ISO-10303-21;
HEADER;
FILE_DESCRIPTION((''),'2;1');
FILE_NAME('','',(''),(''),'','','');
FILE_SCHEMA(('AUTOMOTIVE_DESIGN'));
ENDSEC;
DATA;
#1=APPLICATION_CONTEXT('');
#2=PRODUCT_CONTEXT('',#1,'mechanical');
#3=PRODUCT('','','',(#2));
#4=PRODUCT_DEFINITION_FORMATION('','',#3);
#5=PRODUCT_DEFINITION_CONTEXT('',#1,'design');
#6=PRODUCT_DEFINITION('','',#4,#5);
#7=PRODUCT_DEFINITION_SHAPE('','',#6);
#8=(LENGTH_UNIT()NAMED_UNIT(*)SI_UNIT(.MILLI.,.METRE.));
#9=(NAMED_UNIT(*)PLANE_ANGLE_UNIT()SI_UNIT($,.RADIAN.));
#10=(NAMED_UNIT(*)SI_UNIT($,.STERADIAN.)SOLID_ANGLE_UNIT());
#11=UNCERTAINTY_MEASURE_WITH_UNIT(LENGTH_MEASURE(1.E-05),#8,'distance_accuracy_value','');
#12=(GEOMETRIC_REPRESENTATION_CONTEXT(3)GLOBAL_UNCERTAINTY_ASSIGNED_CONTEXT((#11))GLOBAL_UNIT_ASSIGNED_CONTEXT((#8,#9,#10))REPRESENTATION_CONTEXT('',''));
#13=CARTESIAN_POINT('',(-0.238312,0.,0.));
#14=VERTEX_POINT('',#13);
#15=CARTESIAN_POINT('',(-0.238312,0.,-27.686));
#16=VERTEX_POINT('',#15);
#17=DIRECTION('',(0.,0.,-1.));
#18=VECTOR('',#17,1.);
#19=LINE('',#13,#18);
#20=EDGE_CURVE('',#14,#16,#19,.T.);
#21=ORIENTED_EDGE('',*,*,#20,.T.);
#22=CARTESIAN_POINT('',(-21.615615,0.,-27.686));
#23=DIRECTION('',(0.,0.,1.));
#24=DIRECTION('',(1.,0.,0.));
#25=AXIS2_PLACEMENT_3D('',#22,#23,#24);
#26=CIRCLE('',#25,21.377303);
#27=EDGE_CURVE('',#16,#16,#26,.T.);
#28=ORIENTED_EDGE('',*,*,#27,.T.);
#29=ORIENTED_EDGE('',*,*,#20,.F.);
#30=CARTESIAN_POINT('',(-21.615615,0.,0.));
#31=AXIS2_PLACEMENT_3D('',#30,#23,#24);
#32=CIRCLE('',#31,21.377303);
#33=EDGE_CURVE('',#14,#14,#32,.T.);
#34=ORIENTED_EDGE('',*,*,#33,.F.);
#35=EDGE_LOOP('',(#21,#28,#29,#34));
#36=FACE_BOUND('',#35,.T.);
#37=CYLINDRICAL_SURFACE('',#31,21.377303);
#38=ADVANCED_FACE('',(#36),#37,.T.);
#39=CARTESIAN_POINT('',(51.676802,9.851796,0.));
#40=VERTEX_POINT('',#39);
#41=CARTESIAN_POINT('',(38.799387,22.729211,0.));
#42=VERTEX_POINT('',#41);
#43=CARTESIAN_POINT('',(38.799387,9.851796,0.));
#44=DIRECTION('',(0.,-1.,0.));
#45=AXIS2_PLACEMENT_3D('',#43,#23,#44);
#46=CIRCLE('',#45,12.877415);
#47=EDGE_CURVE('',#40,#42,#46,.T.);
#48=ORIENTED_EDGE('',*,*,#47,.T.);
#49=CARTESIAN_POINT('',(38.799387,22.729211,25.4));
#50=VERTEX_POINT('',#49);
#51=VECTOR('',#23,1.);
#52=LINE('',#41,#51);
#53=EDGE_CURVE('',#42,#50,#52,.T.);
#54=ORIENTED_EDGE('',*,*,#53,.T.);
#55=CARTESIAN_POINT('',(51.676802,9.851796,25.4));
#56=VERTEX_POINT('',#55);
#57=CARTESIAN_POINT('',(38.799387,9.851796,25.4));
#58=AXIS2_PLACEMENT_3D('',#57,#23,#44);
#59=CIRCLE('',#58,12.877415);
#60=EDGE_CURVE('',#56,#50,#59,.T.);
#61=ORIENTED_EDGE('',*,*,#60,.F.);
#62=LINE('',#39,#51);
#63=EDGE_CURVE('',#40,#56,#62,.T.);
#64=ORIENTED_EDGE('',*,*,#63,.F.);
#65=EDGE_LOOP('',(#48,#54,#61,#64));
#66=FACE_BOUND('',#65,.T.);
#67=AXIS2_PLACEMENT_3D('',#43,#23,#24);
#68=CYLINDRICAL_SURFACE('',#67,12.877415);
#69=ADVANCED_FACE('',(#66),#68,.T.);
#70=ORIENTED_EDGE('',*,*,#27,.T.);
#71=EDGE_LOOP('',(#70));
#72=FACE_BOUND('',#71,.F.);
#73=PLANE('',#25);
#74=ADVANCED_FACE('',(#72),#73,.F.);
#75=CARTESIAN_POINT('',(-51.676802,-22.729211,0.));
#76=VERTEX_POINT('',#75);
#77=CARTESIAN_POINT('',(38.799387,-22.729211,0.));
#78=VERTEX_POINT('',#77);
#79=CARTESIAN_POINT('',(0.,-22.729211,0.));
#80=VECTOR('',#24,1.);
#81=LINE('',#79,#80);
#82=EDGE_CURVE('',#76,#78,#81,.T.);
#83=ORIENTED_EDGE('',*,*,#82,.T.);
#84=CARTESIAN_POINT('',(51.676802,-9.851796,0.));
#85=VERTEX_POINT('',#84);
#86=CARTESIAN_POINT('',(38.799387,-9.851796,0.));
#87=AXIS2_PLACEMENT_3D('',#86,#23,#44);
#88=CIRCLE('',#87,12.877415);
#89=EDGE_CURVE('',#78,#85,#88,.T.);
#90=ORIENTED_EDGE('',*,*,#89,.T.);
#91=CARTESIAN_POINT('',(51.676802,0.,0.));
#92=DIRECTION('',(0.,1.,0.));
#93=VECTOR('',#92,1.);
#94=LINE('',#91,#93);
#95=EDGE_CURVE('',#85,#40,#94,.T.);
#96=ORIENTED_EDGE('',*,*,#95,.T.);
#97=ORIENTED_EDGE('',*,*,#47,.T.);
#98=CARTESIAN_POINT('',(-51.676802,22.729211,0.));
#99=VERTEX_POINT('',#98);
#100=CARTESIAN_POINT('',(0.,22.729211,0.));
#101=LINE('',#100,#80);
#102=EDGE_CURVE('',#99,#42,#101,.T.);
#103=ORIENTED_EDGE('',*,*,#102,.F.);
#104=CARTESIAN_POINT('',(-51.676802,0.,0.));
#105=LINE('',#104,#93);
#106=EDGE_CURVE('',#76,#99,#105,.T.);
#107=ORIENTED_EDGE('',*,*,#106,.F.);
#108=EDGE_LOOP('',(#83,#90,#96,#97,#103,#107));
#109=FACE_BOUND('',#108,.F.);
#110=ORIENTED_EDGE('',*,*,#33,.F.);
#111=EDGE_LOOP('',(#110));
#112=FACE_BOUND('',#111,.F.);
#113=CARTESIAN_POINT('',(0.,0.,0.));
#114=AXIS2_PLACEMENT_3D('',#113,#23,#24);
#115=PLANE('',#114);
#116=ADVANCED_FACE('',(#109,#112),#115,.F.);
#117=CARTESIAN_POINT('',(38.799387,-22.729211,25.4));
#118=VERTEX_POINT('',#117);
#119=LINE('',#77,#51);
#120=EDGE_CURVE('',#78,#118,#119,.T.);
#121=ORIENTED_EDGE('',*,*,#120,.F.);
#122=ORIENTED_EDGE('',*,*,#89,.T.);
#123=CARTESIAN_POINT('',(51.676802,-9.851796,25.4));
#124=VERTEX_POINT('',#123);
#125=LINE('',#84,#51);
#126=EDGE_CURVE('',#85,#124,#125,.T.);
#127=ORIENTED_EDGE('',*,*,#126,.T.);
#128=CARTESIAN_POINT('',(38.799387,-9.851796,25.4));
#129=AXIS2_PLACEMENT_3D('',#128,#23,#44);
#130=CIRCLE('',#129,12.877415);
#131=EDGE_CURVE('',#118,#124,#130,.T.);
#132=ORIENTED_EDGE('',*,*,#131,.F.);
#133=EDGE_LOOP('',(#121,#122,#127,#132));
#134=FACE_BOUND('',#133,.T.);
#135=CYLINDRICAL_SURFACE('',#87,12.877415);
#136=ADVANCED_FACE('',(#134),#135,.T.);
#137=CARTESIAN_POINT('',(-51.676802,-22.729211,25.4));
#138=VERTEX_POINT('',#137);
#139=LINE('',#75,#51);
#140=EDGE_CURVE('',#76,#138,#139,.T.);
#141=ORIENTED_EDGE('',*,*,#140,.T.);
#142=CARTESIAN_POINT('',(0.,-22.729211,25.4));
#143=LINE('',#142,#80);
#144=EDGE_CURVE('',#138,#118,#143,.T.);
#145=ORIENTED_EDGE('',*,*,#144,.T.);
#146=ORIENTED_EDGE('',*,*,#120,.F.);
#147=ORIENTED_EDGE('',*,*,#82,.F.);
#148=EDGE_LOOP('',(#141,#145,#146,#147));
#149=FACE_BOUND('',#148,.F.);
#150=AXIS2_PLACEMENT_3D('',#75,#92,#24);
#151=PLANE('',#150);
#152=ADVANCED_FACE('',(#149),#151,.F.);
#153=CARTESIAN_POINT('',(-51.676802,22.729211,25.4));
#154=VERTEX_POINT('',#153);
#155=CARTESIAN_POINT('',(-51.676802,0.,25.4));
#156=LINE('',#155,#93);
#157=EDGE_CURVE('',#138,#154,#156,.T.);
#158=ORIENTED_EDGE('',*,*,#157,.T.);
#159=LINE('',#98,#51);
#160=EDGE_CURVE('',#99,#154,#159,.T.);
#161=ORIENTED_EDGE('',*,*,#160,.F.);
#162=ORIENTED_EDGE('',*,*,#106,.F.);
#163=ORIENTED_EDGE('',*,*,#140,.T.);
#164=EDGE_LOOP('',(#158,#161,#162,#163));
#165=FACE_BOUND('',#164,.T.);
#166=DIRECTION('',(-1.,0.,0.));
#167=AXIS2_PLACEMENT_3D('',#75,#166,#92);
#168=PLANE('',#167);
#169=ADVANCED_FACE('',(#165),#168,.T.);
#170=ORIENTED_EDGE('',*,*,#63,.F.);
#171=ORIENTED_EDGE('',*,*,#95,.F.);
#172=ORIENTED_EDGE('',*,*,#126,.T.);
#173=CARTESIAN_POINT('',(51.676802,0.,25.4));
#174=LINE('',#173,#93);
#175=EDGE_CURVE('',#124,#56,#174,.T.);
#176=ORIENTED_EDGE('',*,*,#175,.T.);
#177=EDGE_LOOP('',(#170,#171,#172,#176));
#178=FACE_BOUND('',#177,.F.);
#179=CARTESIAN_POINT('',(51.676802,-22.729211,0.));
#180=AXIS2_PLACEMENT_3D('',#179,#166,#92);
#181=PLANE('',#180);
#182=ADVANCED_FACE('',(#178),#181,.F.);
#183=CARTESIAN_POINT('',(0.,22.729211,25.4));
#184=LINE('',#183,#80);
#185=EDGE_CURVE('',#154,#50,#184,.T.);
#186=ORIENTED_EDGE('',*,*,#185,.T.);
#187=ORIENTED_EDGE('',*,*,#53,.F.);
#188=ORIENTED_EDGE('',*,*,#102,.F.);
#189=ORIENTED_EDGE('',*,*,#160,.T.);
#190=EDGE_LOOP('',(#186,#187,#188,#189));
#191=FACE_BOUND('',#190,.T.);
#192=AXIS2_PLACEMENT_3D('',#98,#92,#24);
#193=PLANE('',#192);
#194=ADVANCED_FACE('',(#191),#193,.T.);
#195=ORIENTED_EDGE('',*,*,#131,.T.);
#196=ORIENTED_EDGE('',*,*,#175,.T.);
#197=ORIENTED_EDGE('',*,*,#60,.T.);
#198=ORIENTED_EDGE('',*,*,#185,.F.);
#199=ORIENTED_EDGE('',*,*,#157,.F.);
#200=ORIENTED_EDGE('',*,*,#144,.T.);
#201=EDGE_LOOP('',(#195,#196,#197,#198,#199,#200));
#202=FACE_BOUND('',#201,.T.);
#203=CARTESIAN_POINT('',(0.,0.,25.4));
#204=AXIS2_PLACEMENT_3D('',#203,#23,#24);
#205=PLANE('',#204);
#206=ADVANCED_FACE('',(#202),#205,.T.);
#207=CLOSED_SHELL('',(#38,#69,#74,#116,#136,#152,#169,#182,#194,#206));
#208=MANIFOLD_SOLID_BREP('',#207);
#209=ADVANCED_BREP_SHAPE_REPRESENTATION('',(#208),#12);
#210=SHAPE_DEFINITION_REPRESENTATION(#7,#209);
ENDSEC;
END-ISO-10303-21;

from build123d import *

# Parameters (mm, degrees)
F0_W     = 103.353604
F0_H     = 45.458422
F1_DEPTH = 25.4
F2_R     = 12.877415
F3_R     = 21.377303
F4_DEPTH = 27.686


with BuildPart() as f1:
    # F0 (on Top) → F1 (new body)
    with BuildSketch(Plane.XY):
        Rectangle(F0_W, F0_H)
    extrude(amount=F1_DEPTH)

    # F2
    f2_edges = [f1.edges().sort_by_distance(p)[0] for p in [
        (51.676802, 22.729211, 12.7),
        (51.676802, -22.729211, 12.7),
    ]]
    fillet(f2_edges, radius=F2_R)

    # F3 (on Top) → F4 (join)
    with BuildSketch(Plane.XY):
        with Locations((-21.615615, 0)):
            Circle(F3_R)
    extrude(amount=-F4_DEPTH)


solid = f1.part
